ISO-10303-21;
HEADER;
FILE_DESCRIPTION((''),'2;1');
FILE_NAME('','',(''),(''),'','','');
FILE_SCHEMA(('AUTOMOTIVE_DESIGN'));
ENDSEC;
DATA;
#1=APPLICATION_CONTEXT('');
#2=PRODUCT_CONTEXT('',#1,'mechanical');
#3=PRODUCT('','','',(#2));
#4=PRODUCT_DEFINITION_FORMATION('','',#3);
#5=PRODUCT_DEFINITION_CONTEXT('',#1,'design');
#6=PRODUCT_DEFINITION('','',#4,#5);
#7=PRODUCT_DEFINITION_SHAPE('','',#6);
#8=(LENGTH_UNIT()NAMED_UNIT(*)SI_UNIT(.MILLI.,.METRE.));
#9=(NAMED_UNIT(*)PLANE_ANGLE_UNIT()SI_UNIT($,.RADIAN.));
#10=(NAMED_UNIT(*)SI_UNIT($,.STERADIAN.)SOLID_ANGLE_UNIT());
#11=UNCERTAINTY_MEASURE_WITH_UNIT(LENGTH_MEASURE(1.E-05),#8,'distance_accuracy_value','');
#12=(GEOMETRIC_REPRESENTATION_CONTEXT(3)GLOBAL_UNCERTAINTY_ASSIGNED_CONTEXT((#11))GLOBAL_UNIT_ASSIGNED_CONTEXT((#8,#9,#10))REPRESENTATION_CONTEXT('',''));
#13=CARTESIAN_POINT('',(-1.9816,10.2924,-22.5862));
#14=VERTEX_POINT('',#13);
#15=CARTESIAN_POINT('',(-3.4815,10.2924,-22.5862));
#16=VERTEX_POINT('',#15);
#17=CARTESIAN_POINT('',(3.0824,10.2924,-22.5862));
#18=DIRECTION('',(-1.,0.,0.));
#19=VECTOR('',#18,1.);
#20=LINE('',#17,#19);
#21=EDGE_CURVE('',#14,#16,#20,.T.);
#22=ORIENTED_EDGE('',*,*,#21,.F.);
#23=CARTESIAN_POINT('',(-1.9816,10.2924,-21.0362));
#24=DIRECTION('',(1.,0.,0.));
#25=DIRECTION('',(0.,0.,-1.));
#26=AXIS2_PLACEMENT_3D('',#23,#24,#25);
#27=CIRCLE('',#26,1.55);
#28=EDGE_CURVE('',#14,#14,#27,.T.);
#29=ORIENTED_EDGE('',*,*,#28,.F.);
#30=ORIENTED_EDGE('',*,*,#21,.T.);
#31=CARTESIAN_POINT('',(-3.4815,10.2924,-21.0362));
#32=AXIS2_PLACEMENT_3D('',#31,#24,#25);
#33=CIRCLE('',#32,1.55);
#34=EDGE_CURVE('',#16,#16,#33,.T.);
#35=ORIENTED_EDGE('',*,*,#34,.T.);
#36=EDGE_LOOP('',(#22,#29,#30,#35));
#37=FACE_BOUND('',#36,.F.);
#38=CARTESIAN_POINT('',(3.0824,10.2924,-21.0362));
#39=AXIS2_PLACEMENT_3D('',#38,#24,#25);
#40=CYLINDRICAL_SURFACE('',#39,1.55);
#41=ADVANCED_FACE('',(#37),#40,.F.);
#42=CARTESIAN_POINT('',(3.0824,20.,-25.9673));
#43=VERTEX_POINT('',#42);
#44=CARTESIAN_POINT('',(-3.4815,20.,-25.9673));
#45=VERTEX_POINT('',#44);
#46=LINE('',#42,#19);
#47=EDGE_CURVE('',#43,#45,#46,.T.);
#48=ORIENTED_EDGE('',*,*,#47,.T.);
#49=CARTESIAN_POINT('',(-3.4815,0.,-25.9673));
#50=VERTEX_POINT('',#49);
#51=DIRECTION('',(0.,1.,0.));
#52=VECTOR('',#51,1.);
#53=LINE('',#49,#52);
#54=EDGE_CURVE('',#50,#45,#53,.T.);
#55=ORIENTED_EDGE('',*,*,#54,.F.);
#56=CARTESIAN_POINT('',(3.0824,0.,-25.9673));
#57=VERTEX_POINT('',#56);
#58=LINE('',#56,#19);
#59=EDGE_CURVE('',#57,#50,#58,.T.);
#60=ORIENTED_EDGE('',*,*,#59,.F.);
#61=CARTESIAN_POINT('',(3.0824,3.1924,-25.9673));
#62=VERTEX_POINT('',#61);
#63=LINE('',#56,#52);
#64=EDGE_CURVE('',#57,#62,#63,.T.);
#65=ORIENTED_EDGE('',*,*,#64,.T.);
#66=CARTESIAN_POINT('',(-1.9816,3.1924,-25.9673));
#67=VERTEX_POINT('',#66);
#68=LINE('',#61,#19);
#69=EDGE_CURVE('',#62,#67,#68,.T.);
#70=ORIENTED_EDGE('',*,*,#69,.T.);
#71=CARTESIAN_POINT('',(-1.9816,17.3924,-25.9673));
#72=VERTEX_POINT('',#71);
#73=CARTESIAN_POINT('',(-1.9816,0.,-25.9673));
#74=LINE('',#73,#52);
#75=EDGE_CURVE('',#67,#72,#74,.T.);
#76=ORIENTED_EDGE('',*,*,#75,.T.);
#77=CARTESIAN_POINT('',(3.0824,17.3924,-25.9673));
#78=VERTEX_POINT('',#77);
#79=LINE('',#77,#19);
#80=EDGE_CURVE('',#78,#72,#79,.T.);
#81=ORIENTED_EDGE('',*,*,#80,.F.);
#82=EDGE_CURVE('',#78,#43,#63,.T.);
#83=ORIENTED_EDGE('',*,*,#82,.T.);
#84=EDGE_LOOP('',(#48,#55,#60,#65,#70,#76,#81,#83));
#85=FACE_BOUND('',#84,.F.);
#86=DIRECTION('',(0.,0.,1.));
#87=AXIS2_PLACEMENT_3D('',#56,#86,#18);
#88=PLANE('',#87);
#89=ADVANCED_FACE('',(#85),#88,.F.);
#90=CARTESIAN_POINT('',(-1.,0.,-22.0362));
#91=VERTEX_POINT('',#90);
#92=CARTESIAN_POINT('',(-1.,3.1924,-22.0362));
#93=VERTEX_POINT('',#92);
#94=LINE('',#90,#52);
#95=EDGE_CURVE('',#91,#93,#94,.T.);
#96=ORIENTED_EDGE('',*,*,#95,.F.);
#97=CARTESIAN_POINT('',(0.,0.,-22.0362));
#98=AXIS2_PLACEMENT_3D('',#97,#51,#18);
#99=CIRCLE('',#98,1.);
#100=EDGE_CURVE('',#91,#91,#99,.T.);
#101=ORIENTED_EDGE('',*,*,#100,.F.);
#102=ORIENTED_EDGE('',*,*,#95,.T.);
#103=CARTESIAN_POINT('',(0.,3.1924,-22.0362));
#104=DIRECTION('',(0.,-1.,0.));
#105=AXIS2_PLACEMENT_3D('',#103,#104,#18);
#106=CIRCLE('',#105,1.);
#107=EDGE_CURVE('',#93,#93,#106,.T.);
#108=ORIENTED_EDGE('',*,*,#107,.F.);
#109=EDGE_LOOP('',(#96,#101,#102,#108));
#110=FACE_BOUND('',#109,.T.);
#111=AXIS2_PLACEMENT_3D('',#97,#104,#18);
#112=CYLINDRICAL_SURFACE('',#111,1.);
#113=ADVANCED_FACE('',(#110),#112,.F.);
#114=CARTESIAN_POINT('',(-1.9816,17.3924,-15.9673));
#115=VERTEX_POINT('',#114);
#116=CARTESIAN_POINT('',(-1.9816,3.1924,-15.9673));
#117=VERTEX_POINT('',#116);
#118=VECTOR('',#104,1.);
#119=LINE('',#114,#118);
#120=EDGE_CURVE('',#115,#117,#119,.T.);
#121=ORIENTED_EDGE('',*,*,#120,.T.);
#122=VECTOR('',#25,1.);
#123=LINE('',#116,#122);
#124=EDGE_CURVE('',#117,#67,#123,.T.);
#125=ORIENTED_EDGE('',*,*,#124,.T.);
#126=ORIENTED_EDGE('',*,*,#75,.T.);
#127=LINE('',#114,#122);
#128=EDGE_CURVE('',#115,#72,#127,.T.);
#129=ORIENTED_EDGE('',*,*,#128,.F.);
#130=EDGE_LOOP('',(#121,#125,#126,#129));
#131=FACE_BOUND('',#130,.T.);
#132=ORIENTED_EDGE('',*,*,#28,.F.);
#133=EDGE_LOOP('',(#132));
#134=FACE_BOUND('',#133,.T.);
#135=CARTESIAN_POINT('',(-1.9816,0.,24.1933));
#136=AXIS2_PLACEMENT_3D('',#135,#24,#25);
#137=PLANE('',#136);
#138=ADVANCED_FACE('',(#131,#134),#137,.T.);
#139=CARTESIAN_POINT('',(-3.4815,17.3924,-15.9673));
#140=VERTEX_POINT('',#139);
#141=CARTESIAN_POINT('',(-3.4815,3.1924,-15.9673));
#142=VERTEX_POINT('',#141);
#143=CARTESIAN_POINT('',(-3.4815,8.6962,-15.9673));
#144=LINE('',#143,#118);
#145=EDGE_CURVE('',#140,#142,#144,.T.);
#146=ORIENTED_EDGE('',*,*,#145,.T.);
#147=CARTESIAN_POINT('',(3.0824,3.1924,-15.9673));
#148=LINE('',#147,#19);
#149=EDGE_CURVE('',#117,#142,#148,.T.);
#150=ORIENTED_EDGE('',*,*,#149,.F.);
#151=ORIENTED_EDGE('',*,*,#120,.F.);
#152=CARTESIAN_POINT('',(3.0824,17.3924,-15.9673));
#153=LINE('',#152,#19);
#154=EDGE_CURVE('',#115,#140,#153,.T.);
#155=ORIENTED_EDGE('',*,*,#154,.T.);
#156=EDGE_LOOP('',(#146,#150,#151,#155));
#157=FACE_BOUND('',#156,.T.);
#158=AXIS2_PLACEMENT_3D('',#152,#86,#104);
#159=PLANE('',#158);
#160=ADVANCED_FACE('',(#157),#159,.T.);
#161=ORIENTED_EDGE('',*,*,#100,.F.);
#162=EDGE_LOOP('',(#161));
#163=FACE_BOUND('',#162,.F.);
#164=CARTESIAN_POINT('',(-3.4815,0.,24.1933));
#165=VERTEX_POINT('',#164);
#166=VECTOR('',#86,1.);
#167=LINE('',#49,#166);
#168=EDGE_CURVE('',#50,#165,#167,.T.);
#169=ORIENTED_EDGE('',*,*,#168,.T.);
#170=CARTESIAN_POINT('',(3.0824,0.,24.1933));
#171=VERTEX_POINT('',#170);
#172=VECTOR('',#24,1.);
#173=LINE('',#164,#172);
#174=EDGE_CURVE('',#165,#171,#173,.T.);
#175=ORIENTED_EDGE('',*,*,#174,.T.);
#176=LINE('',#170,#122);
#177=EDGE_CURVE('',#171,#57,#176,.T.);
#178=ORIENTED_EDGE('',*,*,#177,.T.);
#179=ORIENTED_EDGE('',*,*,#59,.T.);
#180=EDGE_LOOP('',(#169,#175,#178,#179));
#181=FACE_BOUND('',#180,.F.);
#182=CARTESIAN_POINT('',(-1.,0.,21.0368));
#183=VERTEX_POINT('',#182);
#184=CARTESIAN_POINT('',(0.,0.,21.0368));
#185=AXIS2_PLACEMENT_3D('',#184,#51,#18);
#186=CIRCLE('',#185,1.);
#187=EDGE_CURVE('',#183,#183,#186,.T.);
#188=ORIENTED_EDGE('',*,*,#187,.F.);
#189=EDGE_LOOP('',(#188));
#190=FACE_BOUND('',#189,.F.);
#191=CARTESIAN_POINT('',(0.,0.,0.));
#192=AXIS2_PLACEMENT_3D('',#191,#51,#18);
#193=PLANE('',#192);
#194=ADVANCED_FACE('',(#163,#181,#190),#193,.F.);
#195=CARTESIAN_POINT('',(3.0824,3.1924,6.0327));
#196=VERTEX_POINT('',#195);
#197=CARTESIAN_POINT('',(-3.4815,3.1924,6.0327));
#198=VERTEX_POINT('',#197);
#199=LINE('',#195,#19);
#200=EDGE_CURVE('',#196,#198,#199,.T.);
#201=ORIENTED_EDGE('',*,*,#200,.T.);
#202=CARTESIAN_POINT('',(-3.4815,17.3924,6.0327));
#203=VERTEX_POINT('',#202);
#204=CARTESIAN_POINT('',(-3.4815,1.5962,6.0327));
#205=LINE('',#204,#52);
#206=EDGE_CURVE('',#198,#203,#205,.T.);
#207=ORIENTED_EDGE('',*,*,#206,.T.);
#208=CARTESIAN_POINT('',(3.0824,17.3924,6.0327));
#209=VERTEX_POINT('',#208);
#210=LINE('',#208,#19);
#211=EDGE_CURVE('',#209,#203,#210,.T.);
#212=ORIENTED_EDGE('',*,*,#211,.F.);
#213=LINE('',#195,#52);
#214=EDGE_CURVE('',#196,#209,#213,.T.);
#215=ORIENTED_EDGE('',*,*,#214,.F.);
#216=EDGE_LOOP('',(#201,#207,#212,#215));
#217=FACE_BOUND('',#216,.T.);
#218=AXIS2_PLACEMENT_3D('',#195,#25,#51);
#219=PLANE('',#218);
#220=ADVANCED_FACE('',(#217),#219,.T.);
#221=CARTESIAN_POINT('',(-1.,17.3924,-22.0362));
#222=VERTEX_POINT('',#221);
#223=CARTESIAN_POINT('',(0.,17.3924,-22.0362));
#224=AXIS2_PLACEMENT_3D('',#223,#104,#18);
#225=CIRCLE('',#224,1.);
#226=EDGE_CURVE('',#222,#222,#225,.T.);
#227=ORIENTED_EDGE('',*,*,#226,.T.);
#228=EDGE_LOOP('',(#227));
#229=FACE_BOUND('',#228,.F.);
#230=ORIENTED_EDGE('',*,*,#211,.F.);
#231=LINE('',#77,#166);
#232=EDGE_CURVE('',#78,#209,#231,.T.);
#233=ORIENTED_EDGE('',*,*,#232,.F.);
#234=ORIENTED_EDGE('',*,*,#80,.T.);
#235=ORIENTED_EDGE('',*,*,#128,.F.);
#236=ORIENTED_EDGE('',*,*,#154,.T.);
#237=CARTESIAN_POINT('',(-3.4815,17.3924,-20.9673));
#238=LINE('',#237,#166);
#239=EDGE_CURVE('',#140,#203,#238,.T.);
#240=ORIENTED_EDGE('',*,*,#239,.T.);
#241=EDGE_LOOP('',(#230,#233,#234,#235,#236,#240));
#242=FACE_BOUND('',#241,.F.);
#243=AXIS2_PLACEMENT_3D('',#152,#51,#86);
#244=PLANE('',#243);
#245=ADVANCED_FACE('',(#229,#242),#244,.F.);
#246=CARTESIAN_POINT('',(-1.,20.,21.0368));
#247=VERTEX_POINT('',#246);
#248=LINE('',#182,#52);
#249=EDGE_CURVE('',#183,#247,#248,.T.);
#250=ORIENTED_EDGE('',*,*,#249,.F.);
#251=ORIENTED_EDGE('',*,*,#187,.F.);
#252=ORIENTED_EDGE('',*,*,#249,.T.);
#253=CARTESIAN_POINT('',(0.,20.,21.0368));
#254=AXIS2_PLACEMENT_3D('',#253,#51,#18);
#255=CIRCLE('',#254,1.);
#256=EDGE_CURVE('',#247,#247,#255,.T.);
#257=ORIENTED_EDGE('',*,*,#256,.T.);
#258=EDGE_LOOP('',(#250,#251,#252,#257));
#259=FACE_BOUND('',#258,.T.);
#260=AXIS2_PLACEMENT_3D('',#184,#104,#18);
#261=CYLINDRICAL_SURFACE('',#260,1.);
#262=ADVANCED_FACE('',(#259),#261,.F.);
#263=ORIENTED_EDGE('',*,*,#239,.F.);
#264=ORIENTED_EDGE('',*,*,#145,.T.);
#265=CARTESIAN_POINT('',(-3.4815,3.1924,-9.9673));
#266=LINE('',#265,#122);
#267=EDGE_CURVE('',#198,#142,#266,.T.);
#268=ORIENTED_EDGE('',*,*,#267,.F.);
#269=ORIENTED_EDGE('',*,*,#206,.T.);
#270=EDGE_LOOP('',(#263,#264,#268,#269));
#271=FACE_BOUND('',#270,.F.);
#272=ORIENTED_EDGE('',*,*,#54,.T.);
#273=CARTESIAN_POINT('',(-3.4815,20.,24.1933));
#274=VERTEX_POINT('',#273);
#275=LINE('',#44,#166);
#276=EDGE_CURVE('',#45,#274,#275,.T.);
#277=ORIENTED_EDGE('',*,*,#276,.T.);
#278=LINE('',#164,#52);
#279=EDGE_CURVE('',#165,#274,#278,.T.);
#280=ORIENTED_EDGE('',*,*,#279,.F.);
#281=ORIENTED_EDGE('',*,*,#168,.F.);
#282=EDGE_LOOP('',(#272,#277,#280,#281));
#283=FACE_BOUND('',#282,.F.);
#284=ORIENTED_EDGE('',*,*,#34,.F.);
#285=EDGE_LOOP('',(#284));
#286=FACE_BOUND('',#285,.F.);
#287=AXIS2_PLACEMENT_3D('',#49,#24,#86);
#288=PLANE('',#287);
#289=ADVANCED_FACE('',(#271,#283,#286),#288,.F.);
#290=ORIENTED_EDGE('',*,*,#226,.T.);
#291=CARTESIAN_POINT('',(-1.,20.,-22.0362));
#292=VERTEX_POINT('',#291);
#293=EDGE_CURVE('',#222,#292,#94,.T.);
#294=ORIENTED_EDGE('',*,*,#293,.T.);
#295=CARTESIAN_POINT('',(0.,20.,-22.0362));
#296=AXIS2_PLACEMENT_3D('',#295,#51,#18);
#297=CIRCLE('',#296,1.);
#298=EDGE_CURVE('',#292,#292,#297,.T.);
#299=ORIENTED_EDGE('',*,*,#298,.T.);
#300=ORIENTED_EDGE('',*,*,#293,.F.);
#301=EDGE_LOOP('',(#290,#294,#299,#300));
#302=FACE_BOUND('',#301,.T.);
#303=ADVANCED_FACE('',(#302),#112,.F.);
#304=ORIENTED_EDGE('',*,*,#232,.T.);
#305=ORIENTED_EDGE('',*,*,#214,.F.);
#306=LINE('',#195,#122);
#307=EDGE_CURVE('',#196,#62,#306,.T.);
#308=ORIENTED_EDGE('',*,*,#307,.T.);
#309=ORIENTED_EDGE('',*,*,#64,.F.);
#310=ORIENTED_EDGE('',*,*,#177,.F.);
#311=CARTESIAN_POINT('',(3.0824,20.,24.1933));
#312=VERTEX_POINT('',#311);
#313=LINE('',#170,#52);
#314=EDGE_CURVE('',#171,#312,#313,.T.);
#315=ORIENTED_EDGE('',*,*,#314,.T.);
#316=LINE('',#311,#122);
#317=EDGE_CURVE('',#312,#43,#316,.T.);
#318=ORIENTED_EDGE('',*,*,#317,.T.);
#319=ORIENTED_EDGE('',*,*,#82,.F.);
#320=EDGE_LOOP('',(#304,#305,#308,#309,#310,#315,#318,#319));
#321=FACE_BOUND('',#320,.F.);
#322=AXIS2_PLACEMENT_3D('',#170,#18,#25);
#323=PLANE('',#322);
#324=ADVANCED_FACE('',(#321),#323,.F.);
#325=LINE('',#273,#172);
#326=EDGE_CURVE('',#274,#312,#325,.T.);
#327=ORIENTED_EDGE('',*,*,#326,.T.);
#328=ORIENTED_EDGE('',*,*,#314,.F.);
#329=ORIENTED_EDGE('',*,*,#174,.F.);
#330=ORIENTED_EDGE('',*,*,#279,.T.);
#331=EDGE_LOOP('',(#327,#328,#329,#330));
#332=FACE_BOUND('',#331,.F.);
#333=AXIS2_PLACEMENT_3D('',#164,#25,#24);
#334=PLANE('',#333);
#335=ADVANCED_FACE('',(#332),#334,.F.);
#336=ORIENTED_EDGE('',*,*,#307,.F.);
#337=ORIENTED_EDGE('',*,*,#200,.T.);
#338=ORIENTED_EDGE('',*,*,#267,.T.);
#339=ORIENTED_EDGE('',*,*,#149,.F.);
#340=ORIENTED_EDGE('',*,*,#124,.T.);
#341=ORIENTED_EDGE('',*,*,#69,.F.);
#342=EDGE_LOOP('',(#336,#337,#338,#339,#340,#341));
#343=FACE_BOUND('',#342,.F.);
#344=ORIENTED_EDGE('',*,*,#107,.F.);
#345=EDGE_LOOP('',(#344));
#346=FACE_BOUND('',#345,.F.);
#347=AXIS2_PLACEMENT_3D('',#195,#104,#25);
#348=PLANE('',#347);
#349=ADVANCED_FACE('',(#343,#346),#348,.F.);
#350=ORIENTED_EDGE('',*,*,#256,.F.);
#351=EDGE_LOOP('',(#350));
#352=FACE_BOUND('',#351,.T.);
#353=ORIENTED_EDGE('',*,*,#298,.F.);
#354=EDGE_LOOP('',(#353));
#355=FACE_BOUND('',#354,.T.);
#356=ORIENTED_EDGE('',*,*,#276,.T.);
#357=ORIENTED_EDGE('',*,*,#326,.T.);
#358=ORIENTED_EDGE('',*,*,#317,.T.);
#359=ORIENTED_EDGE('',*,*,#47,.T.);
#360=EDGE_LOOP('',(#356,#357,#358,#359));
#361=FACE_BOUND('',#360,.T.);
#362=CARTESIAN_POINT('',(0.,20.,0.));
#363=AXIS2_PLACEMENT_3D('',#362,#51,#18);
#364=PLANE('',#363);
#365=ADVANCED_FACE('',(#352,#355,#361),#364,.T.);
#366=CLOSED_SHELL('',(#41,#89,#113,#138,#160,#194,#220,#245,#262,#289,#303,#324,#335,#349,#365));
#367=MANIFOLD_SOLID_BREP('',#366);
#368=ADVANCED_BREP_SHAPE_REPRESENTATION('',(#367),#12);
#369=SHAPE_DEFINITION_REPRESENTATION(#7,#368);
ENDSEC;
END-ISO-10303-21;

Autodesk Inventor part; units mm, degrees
ref_plane "YZ Plane" through (0, 0, 0) normal (1, 0, 0) x (0, 1, 0)
ref_plane "XZ Plane" through (0, 0, 0) normal (0, 1, 0) x (-1, 0, 0)
ref_plane "XY Plane" through (0, 0, 0) normal (0, 0, 1) x (1, 0, 0)
sketch "Эскиз1" plane through (0, 0, 0) normal (0, 1, 0) x (-1, 0, 0)
  circle A0 centre (0, 21.0368) radius 1
  circle A1 centre (0, -22.0362) radius 1
  line L0 (3.4815, 24.1933) -> (-3.0824, 24.1933)
  line L1 (-3.0824, 24.1933) -> (-3.0824, -25.9673)
  line L2 (-3.0824, -25.9673) -> (3.4815, -25.9673)
  line L3 (3.4815, -25.9673) -> (3.4815, 24.1933)
  point P0 (0, 0)
  dimension "d0" = 43.073
  dimension "d1" = 2
  dimension "d2" = 2
extrude "Выдавливание1" add sketch "Эскиз1" along normal blind 20
sketch "Эскиз2" plane through (3.0824, 0, 24.1933) normal (1, 0, 0) x (0, 0, -1)
  line L0 (50.1606, 0) -> (50.1606, 20) projected
  line L1 (0, 0) -> (0, 20) projected
  line L2 (50.1606, 17.3924) -> (0, 17.3924)
  line L3 (0, 17.3924) -> (0, 3.1924)
  line L4 (0, 3.1924) -> (50.1606, 3.1924)
  line L5 (50.1606, 3.1924) -> (50.1606, 17.3924)
  line L6 (18.1606, 3.1924) -> (18.1606, 17.3924)
  line L7 (40.1606, 17.3924) -> (40.1606, 3.1924)
  line L8 (45.2295, 20) -> (45.2295, 0) projected
  circle A0 centre (45.2295, 10.2924) radius 1.55
  point P0 (24.1933, 0)
  point P1 (50.1606, 10)
  dimension "d5" = 14.2
  dimension "d6" = 32
  dimension "d7" = 10
  dimension "d8" = 3.1
extrude "Выдавливание2" cut sketch "Эскиз2" against normal through all contours L4 L6 L2 L7 | A0 L8 | L8 A0
extrude "Выдавливание3" cut sketch "Эскиз2" against normal blind 5.064 contours L4 L8 A0 L2 L0 | L4 L7 L2 L8 A0
properties part number "tcrt_to_mgn7"
